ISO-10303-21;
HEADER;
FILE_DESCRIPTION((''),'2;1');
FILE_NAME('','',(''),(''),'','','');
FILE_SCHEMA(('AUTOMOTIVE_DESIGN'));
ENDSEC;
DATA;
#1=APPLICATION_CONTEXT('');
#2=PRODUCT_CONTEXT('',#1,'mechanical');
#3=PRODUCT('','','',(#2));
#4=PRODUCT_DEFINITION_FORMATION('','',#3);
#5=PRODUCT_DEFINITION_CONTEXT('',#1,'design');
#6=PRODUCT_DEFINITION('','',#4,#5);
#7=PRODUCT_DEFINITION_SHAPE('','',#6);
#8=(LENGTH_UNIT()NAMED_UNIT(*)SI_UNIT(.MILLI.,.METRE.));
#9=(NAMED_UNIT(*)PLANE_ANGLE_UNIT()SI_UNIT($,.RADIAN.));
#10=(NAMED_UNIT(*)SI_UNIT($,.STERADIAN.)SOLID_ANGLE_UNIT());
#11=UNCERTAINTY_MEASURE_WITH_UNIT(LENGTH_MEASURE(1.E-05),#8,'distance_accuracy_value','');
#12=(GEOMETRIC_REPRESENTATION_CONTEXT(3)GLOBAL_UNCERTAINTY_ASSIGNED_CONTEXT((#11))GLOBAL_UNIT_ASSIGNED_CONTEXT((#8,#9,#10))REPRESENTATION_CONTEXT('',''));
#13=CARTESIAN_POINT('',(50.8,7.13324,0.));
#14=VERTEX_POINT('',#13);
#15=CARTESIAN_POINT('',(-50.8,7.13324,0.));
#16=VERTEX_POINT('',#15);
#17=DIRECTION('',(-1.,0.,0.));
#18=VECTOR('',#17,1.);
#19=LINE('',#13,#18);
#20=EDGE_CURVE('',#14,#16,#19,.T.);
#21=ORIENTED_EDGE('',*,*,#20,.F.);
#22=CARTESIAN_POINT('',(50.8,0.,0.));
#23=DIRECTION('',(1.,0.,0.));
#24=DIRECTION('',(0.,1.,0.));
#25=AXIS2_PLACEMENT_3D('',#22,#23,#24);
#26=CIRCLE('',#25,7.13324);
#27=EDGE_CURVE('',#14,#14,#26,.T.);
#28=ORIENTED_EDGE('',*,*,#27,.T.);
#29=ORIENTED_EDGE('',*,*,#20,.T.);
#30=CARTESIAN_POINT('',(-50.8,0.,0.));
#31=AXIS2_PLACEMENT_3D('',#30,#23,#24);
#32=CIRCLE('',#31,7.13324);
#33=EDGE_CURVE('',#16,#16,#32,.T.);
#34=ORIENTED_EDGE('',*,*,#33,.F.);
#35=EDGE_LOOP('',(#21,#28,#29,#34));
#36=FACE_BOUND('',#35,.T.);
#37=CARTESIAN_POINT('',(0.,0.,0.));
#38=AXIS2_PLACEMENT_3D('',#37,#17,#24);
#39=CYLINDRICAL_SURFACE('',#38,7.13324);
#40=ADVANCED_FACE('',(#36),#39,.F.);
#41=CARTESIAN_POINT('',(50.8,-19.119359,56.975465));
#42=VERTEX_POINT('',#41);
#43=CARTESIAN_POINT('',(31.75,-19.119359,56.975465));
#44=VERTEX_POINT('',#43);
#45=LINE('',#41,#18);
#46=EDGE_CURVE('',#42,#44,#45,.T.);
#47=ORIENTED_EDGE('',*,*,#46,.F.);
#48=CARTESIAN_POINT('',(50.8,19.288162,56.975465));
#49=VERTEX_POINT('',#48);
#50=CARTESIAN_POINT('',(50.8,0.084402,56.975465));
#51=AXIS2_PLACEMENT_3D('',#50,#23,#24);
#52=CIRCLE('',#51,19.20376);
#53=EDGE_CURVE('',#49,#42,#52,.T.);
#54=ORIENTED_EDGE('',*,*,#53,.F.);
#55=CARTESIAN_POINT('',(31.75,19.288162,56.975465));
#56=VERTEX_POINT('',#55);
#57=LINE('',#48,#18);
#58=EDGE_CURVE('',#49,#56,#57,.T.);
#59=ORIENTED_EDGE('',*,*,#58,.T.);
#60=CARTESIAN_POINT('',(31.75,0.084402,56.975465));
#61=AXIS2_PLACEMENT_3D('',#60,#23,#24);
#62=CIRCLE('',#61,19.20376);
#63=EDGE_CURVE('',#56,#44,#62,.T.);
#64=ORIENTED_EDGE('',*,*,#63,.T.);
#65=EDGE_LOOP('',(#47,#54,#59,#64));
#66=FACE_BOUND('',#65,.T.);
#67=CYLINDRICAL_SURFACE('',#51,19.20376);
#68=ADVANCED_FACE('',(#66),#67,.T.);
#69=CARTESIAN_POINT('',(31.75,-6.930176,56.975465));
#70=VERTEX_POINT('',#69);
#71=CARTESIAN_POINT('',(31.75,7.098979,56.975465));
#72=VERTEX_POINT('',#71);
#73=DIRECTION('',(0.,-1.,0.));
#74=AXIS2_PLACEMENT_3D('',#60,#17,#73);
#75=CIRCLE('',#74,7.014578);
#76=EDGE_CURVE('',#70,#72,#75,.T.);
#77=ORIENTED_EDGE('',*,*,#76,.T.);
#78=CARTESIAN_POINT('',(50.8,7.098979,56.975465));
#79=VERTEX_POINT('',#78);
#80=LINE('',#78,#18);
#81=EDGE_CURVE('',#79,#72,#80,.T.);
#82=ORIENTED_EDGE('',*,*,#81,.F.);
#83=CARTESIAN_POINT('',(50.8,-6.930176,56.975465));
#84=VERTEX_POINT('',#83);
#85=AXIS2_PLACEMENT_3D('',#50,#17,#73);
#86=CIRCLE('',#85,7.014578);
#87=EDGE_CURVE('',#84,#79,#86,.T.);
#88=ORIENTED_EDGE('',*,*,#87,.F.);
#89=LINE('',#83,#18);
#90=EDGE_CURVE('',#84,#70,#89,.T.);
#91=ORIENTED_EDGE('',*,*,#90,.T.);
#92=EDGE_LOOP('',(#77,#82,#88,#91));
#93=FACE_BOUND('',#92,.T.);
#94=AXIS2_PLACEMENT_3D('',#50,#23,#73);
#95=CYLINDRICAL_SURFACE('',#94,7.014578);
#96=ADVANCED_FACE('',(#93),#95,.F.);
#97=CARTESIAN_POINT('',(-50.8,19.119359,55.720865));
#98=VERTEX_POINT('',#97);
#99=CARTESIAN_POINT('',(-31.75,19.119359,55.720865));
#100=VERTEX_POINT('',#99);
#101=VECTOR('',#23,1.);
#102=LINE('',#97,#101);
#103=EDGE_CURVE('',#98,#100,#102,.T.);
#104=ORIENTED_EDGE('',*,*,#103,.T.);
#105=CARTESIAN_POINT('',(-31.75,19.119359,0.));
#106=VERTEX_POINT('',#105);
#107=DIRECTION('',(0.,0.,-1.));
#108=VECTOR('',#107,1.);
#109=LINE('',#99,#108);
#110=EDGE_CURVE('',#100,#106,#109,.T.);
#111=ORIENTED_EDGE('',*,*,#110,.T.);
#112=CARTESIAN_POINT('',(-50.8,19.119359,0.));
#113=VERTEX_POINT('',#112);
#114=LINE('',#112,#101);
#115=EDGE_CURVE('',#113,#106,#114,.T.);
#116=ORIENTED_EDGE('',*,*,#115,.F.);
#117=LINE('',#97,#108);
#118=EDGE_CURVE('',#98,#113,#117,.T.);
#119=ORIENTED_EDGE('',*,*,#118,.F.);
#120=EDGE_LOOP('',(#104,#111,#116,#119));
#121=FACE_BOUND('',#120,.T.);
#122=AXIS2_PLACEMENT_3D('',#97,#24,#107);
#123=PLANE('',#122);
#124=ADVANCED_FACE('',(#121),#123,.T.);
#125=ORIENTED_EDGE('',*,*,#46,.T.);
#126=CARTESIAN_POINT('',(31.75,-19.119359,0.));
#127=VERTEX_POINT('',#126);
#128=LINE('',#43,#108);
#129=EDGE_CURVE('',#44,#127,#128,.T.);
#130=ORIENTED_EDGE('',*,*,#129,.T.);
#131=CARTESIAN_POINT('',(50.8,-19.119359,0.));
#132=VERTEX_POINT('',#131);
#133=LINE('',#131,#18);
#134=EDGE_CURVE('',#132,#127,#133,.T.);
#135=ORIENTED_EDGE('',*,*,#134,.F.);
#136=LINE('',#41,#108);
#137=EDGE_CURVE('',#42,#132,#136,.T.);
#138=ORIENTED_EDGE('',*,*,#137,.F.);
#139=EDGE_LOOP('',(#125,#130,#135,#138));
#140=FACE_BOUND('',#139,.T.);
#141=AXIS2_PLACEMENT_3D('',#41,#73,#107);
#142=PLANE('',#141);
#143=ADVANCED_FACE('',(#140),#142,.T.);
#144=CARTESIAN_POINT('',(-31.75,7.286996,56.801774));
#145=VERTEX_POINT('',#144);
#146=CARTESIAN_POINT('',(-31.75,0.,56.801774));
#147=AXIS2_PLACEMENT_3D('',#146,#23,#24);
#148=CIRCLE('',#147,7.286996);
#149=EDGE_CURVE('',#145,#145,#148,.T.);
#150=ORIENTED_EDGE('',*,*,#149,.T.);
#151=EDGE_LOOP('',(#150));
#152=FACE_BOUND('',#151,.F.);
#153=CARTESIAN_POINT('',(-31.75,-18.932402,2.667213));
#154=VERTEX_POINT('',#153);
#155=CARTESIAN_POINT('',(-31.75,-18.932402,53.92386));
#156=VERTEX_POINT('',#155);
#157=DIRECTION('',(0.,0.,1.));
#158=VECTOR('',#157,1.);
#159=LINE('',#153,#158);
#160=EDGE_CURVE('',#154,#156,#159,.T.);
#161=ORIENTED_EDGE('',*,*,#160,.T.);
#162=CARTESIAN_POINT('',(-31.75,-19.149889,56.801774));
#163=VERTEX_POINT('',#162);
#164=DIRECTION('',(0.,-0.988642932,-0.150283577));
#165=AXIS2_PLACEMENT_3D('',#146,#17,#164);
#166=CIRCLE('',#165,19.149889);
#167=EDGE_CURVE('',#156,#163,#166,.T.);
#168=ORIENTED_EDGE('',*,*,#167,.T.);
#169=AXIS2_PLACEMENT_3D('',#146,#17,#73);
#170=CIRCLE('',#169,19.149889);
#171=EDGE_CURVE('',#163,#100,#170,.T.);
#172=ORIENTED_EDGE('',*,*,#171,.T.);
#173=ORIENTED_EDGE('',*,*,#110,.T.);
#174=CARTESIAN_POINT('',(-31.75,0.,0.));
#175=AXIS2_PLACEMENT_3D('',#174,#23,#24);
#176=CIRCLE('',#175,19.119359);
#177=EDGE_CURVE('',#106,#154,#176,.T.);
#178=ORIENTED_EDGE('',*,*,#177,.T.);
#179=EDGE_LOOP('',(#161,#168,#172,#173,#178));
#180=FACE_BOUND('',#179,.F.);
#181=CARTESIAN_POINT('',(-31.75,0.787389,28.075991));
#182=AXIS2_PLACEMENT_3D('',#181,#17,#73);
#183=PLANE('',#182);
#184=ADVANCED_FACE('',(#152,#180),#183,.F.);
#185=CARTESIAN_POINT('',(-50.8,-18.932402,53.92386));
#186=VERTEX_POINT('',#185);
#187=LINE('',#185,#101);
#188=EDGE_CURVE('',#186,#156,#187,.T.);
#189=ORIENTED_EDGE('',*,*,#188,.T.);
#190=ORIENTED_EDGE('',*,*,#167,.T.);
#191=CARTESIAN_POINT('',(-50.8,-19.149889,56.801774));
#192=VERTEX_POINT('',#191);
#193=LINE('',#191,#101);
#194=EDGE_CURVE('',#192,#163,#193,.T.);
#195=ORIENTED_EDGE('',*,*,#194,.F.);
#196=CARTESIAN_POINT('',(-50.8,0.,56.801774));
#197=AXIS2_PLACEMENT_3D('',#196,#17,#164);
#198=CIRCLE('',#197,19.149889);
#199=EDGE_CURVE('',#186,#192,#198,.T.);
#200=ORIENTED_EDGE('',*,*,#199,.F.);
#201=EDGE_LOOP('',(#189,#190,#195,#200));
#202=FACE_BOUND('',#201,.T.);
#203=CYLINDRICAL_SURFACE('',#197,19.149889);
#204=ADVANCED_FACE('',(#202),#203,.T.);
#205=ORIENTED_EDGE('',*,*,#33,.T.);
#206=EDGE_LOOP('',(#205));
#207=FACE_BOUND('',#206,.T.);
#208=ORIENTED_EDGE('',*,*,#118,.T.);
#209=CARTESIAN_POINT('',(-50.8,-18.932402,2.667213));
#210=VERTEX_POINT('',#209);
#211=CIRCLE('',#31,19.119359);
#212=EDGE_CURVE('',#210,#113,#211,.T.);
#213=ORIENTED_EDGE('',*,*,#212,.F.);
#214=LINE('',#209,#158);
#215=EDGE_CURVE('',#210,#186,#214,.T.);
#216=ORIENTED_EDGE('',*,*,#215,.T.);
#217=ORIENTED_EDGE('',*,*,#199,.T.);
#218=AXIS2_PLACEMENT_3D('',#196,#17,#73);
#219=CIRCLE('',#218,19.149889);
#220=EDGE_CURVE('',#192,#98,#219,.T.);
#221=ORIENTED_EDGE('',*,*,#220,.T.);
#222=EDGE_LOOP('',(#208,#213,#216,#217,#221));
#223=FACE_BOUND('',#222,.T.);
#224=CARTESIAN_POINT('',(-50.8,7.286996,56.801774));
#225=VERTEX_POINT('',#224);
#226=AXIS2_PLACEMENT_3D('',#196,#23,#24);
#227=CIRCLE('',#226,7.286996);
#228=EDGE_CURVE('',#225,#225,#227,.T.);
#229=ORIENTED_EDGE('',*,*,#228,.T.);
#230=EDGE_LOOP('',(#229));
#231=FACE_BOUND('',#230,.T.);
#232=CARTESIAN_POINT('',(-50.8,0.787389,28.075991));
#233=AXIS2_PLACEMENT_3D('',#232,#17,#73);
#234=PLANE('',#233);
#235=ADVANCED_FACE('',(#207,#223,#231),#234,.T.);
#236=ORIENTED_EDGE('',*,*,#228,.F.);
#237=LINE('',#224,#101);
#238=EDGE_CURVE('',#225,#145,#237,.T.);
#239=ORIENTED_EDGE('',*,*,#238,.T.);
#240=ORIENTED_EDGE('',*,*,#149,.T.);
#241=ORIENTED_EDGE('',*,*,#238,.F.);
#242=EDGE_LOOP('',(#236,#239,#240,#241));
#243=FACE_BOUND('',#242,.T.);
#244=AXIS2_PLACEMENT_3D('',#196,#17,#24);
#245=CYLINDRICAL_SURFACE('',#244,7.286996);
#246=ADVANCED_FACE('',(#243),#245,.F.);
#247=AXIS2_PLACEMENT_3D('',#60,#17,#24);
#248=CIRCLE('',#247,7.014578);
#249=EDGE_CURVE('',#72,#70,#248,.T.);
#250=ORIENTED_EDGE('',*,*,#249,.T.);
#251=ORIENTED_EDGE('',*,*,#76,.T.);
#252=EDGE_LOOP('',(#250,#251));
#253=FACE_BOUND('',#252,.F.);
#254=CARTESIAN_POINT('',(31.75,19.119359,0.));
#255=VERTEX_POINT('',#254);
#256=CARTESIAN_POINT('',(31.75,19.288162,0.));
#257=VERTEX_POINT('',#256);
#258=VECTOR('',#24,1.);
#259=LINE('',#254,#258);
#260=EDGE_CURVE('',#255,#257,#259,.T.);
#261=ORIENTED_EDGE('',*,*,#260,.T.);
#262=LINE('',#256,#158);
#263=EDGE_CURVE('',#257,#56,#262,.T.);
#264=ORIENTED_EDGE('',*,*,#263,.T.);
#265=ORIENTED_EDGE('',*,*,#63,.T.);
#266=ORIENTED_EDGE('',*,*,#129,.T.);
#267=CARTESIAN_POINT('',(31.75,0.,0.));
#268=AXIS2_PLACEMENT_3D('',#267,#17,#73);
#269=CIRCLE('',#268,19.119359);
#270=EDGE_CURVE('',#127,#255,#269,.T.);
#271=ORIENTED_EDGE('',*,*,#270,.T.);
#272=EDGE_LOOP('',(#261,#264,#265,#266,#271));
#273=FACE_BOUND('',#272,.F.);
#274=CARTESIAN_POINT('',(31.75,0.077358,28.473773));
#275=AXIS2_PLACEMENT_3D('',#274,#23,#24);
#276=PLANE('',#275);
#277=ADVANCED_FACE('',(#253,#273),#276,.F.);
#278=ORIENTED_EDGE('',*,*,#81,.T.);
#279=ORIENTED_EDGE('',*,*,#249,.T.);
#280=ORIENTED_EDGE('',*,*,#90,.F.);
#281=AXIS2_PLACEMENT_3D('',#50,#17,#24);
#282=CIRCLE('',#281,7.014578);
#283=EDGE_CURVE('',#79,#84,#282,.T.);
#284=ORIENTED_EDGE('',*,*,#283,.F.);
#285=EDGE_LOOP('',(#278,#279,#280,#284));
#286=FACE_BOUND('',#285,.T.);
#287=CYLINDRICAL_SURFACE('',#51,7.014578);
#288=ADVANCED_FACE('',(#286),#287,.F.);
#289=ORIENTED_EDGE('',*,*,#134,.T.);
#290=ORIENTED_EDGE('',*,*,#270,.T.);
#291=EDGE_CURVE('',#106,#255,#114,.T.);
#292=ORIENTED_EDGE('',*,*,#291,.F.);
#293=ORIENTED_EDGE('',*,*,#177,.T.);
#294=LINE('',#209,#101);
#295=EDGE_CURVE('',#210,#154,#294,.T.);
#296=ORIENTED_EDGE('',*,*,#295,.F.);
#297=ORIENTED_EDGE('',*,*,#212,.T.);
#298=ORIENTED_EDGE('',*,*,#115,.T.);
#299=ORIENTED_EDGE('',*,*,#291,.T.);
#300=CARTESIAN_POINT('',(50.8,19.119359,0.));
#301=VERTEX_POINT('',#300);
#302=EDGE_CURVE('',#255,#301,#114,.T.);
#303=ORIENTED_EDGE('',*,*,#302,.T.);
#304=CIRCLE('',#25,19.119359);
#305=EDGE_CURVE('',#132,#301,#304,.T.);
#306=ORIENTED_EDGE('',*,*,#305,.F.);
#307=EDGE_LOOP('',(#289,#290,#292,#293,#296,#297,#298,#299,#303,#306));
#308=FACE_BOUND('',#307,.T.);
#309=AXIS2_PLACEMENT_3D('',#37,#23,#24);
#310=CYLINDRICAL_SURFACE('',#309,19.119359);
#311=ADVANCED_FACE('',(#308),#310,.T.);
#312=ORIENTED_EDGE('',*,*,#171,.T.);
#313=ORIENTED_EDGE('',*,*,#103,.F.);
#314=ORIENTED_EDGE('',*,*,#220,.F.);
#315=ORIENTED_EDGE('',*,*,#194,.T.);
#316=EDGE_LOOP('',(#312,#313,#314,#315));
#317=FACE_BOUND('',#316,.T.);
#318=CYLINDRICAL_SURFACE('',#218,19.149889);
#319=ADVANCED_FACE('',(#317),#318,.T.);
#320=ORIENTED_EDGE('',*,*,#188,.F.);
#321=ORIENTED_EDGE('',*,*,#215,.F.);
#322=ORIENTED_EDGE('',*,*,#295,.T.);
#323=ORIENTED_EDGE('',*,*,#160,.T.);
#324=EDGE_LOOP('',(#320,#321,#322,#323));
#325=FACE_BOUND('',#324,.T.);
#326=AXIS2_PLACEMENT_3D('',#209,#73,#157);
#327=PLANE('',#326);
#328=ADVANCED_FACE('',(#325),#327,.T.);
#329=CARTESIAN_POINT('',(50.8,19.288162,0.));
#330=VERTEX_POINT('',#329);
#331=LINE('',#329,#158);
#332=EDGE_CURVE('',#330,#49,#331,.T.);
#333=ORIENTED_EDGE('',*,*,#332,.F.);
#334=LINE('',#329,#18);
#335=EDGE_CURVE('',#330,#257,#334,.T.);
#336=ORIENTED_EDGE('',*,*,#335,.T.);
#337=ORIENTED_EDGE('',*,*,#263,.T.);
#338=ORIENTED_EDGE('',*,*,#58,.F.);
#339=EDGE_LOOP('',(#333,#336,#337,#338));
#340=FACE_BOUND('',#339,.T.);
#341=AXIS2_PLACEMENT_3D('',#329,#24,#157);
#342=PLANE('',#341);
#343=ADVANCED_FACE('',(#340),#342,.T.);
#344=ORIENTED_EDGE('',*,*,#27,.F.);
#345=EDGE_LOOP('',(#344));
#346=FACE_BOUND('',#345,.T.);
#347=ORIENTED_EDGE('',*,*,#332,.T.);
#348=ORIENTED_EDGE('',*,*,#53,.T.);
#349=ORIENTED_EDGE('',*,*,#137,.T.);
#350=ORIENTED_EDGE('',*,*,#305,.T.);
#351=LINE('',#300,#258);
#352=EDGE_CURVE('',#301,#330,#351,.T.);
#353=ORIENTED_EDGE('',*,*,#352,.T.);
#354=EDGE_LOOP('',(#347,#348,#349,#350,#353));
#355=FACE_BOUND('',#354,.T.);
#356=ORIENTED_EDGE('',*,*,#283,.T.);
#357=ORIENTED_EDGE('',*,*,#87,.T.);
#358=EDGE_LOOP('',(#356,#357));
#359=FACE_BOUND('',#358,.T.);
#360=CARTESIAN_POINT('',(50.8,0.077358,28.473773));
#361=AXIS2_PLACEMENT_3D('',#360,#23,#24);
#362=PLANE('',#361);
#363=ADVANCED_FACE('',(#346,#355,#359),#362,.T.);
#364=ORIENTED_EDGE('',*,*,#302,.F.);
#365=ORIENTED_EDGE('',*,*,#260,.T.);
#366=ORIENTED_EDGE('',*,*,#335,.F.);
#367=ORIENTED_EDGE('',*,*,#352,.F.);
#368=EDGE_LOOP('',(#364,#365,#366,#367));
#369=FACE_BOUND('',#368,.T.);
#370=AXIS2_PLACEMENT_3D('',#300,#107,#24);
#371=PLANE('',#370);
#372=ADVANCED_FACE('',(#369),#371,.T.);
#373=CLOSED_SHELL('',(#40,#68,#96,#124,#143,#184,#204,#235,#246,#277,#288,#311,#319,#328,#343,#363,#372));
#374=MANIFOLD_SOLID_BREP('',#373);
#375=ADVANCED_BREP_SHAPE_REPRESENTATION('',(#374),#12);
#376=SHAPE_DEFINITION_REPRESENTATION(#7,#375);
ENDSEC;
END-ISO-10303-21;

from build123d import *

# Parameters (mm, degrees)
F0_R          = 19.1193586633
F0_R_2        = 7.1332397651
F1_DEPTH      = 50.8
F1_DEPTH_BACK = 50.8
F4_DEPTH      = 19.05
F5_DEPTH      = 19.05


with BuildPart() as f1:
    # F0 (on Right) → F1 (new body, two sides)
    with BuildSketch(Plane.YZ) as f1_sk:
        Circle(F0_R)
        Circle(F0_R_2, mode=Mode.SUBTRACT)
    extrude(amount=F1_DEPTH)
    extrude(f1_sk.sketch, amount=-F1_DEPTH_BACK)

    # F3 (on face) → F4 (join)
    with BuildSketch(Plane(origin=(-50.8, 0, 0), x_dir=(0, -1, 0), z_dir=(-1, 0, 0))):
        with BuildLine():
            ThreePointArc((-19.1193586633, 0), (-1.3368786295, 19.0725622617), (18.9324021339, 2.6672129904))
            Line((18.9324021339, 2.6672129904), (18.9324021339, 53.9238598333))
            ThreePointArc((18.9324021339, 53.9238598333), (-0.9033523323, 37.6732035405), (-19.1193586633, 55.7208653984))
            Line((-19.1193586633, 55.7208653984), (-19.1193586633, 0))
        make_face()
        with BuildLine():
            Line((18.9324021339, 56.8017736077), (18.9324021339, 53.9238598333))
            ThreePointArc((18.9324021339, 53.9238598333), (19.0954396709, 55.3587136548), (19.1498887269, 56.8017736077))
            ThreePointArc((19.1498887269, 56.8017736077), (-0.5406696408, 75.9440282971), (-19.1193586633, 55.7208653984))
            Line((-19.1193586633, 55.7208653984), (-19.1193586633, 56.8017736077))
            Line((-19.1193586633, 56.8017736077), (-7.2869959292, 56.8017736077))
            ThreePointArc((-7.2869959292, 56.8017736077), (0, 64.0887695369), (7.2869959292, 56.8017736077))
            Line((7.2869959292, 56.8017736077), (18.9324021339, 56.8017736077))
        make_face()
        with BuildLine():
            ThreePointArc((-19.1193586633, 55.7208653984), (-0.9033523323, 37.6732035405), (18.9324021339, 53.9238598333))
            Line((18.9324021339, 53.9238598333), (18.9324021339, 56.8017736077))
            Line((18.9324021339, 56.8017736077), (7.2869959292, 56.8017736077))
            ThreePointArc((7.2869959292, 56.8017736077), (0, 49.5147776785), (-7.2869959292, 56.8017736077))
            Line((-7.2869959292, 56.8017736077), (-19.1193586633, 56.8017736077))
            Line((-19.1193586633, 56.8017736077), (-19.1193586633, 55.7208653984))
        make_face()
    extrude(amount=-F4_DEPTH)

    # F2 (on face) → F5 (join)
    with BuildSketch(Plane.YZ.offset(50.8)):
        with BuildLine():
            ThreePointArc((-19.1193586633, 0), (0, 19.1193586633), (19.1193586633, 0))
            Line((19.1193586633, 0), (19.2881617695, 0))
            Line((19.2881617695, 0), (19.2881617695, 56.9754652679))
            ThreePointArc((19.2881617695, 56.9754652679), (0.0844015531, 37.7717050515), (-19.1193586633, 56.9754652679))
            Line((-19.1193586633, 56.9754652679), (-19.1193586633, 0))
        make_face()
        with BuildLine():
            Line((7.098979334, 56.9754652679), (19.2881617695, 56.9754652679))
            ThreePointArc((19.2881617695, 56.9754652679), (0.0844015531, 76.1792254843), (-19.1193586633, 56.9754652679))
            Line((-19.1193586633, 56.9754652679), (-6.9301762279, 56.9754652679))
            ThreePointArc((-6.9301762279, 56.9754652679), (0.0844015531, 63.9900430488), (7.098979334, 56.9754652679))
        make_face()
        with BuildLine():
            ThreePointArc((-19.1193586633, 56.9754652679), (0.0844015531, 37.7717050515), (19.2881617695, 56.9754652679))
            Line((19.2881617695, 56.9754652679), (7.098979334, 56.9754652679))
            ThreePointArc((7.098979334, 56.9754652679), (0.0844015531, 49.960887487), (-6.9301762279, 56.9754652679))
            Line((-6.9301762279, 56.9754652679), (-19.1193586633, 56.9754652679))
        make_face()
    extrude(amount=-F5_DEPTH)


solid = f1.part
